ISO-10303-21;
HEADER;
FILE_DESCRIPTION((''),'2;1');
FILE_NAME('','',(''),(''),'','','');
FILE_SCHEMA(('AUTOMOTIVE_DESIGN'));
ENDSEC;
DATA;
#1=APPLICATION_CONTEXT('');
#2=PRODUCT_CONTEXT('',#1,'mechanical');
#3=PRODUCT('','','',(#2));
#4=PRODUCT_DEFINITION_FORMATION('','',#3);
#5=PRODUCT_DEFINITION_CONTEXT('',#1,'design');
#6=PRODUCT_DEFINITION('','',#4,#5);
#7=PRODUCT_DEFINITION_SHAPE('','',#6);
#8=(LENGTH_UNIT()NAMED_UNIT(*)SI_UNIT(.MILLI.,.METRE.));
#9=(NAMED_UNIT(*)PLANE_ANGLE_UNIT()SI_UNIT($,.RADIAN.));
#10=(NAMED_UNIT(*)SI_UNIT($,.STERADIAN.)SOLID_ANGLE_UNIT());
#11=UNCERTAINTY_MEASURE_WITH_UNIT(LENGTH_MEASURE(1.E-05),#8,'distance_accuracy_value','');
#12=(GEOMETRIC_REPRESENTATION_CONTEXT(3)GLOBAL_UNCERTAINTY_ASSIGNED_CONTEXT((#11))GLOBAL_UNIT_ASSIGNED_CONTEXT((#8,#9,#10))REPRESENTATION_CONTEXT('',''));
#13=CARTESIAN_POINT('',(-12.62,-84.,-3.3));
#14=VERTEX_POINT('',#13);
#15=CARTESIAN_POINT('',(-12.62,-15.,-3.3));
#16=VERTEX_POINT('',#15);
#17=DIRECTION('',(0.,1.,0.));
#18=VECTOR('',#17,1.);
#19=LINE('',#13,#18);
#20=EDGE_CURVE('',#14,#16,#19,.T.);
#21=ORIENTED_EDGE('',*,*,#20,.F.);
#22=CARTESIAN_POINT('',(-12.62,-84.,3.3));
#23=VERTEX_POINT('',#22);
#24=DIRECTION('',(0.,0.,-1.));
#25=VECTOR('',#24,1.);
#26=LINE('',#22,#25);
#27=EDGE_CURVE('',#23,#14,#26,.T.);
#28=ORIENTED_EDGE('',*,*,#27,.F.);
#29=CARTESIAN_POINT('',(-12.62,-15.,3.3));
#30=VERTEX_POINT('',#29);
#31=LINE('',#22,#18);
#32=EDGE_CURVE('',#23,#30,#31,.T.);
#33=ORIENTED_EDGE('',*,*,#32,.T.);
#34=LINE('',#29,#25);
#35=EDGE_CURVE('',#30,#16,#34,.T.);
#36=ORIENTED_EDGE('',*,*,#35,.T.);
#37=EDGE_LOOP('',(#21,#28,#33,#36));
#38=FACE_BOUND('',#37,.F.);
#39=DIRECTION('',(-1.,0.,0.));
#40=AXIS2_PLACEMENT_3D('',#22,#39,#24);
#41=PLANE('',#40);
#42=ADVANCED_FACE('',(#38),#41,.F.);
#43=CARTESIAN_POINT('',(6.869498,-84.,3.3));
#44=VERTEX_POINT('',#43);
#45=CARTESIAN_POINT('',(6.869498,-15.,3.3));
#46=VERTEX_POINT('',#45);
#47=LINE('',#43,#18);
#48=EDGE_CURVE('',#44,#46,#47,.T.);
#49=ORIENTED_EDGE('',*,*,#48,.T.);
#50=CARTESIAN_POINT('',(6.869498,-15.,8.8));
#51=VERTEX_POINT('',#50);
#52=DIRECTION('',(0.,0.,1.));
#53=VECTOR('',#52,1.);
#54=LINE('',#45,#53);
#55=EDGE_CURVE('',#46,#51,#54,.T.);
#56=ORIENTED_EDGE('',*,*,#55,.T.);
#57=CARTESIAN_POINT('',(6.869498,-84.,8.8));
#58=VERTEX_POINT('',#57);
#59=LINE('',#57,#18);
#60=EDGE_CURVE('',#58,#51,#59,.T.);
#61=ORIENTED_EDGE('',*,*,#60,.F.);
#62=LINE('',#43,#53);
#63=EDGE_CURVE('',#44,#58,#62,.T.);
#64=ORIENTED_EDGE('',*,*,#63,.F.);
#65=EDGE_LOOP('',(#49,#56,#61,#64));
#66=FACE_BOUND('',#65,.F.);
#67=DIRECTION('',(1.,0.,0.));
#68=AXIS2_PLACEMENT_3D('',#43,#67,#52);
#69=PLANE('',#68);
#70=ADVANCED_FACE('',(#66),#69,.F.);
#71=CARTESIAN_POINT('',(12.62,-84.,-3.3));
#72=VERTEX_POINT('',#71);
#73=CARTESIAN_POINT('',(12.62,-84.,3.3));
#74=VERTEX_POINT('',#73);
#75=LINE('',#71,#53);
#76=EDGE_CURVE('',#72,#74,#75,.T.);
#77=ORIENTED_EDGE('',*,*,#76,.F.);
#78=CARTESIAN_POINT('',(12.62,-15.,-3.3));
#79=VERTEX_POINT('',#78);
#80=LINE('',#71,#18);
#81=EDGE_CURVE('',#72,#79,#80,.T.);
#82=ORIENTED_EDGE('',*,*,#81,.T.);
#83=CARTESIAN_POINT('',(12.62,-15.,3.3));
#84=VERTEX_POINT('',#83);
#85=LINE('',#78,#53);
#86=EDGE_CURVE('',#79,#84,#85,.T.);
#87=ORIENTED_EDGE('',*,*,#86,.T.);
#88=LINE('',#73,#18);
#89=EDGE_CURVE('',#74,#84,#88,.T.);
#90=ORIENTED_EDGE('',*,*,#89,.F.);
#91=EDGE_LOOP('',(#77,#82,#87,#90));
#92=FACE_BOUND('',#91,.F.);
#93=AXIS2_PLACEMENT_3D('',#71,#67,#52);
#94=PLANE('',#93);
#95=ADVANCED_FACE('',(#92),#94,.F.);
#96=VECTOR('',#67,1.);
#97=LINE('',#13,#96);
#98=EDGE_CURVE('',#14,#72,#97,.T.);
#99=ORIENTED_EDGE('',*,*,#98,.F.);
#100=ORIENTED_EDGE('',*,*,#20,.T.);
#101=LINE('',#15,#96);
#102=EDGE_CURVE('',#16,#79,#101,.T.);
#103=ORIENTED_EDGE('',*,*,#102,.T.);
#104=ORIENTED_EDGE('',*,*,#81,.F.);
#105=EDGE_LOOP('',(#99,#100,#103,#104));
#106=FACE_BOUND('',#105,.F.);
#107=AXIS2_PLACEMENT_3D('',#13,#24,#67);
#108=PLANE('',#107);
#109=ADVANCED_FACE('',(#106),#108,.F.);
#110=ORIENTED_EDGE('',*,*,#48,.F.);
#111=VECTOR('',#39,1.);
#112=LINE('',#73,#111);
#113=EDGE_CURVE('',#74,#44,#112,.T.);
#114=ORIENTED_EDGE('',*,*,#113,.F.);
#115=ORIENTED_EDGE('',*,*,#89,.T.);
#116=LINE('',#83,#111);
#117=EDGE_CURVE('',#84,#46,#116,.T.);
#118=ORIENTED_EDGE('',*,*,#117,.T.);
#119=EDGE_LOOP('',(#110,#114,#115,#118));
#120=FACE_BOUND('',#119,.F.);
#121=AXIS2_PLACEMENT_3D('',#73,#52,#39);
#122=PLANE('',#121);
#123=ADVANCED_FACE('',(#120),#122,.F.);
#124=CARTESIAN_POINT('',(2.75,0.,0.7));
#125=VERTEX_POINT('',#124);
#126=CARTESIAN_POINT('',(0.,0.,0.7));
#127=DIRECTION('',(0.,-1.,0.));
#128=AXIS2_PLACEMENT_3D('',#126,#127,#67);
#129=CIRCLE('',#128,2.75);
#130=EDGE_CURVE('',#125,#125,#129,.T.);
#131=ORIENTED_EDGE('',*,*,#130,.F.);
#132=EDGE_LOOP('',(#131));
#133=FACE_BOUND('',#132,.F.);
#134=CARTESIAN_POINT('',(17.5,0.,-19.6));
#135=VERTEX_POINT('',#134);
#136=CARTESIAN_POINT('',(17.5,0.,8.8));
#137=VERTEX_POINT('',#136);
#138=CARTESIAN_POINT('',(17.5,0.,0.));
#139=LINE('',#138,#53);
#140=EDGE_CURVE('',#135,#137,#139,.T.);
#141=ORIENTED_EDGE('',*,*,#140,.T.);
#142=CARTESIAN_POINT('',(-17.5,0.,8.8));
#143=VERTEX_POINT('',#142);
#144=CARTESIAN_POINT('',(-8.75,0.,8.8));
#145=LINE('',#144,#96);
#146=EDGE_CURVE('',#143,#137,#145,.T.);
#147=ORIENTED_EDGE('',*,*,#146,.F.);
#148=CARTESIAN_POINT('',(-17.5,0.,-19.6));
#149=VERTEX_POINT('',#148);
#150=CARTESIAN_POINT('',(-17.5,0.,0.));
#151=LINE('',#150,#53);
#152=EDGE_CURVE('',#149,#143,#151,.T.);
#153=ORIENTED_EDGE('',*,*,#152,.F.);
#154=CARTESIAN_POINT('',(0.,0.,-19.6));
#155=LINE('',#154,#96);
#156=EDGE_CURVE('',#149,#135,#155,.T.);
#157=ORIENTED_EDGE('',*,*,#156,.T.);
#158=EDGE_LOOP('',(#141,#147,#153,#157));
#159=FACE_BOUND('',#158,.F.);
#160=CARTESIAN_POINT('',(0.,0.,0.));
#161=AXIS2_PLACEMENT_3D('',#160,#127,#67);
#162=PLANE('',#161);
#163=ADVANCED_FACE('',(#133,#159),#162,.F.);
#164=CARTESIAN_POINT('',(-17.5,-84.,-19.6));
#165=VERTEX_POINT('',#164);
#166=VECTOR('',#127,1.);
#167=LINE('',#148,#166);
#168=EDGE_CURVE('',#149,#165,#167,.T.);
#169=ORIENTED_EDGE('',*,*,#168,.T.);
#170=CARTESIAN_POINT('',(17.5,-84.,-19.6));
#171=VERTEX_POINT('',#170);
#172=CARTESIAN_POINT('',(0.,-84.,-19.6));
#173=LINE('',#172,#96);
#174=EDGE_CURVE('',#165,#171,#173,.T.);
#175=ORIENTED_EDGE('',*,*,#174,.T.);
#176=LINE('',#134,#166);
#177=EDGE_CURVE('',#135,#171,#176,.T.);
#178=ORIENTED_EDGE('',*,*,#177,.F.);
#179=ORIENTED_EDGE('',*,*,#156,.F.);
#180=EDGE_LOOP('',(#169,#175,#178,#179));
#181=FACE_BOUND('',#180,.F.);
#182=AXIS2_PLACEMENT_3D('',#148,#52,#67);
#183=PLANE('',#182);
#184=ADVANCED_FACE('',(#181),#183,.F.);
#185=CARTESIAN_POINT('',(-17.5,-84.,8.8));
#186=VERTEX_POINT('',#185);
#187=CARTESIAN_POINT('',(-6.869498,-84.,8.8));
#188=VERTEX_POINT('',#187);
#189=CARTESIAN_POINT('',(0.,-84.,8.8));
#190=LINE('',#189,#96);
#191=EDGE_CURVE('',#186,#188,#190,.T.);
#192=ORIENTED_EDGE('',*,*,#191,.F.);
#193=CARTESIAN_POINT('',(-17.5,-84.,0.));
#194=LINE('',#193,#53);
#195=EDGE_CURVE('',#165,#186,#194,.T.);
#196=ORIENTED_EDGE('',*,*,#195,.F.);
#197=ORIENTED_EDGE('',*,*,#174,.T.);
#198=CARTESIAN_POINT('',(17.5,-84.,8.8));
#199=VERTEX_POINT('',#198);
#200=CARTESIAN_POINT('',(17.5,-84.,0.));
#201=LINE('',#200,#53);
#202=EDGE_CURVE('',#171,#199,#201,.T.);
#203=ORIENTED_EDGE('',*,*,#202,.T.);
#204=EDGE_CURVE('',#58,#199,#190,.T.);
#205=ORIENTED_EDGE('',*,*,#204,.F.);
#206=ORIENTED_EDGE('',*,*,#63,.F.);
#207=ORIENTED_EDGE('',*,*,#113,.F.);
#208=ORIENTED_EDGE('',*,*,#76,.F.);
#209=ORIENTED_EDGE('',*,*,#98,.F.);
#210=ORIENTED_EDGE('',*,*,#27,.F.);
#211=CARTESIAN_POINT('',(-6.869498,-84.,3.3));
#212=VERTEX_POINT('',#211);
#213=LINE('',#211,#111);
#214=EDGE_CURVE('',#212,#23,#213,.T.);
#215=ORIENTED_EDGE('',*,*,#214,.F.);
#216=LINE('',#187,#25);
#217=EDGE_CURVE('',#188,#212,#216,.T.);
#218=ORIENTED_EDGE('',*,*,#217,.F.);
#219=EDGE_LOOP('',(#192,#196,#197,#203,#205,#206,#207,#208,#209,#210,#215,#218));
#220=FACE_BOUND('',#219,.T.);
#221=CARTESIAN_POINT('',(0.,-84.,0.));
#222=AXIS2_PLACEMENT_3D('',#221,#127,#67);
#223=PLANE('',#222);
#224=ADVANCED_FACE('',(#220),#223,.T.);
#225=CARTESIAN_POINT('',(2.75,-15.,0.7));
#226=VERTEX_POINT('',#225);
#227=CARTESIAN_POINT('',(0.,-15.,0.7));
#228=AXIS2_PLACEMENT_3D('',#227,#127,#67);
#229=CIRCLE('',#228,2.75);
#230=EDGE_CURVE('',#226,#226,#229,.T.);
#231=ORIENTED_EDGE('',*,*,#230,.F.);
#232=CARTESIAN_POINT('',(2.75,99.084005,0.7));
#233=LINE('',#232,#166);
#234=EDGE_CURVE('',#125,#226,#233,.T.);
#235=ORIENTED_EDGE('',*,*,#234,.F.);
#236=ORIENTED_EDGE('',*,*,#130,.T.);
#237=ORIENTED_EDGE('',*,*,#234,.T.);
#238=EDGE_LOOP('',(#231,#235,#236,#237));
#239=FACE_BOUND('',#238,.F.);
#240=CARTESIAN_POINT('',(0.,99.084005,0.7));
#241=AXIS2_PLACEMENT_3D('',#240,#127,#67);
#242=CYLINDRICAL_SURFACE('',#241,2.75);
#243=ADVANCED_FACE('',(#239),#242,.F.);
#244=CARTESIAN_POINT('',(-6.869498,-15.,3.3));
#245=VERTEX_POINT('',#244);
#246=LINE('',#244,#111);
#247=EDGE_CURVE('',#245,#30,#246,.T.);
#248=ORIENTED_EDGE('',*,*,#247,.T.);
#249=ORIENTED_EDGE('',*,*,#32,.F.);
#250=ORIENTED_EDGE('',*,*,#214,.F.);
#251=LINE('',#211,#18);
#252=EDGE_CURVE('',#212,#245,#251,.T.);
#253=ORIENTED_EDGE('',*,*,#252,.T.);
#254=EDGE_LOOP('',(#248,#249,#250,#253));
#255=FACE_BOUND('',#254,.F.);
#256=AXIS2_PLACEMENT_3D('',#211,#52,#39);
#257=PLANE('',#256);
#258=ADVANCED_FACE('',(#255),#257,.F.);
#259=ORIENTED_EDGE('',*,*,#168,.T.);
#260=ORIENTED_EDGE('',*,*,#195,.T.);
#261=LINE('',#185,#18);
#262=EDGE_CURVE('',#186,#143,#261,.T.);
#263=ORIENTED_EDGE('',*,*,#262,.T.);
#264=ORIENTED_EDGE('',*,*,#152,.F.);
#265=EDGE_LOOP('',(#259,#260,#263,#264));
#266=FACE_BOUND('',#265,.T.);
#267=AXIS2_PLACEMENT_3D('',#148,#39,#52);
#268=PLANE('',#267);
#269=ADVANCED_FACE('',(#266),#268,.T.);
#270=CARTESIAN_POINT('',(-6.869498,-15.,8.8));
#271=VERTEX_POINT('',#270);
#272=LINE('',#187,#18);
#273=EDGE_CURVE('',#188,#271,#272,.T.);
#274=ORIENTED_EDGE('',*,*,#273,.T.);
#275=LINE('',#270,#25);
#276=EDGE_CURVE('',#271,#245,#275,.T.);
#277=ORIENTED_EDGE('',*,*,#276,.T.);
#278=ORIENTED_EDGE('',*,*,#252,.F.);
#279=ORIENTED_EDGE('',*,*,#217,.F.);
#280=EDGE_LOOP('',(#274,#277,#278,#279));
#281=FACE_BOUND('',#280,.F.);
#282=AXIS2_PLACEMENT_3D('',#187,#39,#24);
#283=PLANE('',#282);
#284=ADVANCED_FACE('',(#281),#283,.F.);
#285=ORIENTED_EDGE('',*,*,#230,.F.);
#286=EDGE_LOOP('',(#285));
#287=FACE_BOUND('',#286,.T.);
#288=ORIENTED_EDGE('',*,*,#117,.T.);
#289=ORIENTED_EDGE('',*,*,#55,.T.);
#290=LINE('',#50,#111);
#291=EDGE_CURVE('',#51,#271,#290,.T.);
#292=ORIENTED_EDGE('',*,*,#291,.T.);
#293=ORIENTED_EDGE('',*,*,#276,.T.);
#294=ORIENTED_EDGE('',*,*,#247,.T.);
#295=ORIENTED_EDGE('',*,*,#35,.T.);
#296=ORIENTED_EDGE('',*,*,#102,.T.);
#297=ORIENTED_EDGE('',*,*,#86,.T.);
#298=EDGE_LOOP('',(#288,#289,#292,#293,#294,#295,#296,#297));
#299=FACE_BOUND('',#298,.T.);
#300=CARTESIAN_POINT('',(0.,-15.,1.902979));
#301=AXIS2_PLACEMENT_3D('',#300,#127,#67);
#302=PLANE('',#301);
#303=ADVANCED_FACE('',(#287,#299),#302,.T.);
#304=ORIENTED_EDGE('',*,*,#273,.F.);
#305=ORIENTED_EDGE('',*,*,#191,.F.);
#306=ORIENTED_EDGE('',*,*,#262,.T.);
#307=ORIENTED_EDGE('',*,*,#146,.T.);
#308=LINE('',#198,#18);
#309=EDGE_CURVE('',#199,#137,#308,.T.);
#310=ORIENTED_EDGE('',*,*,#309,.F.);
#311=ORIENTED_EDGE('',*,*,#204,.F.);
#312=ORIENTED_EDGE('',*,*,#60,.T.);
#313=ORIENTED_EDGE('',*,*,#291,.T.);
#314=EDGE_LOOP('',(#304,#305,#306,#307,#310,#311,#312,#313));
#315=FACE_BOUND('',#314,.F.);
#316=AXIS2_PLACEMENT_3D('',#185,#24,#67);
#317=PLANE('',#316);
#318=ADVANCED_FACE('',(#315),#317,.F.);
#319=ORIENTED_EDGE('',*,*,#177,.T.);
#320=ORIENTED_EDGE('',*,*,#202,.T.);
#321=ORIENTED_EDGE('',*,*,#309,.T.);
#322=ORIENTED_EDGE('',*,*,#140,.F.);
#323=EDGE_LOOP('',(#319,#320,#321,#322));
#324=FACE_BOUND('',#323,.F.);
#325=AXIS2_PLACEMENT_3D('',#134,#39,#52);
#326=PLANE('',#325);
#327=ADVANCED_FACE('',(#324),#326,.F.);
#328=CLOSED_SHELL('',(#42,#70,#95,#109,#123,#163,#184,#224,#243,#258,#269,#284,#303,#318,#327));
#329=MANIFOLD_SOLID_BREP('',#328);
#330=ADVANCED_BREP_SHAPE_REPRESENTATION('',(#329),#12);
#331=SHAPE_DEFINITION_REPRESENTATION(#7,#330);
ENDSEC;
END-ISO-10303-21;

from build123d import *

# Parameters (mm, degrees)
F0_W     = 35
F0_H     = 39.2
F1_DEPTH = 84
F3_DEPTH = 69
F5_D     = 5.5
F6_W     = 35
F6_H     = 10.8
F7_DEPTH = 84.001


with BuildPart() as f1:
    # F0 (on Front) → F1 (new body)
    with BuildSketch(Plane.XZ):
        Rectangle(F0_W, F0_H)
    extrude(amount=F1_DEPTH)

    # F2 (on face) → F3 (cut)
    with BuildSketch(Plane.XZ.offset(84)):
        Polygon((12.62, -3.3), (12.62, 3.3), (6.8694977982, 3.3), (6.8694977982, 8.8), (-6.8694977982, 8.8), (-6.8694977982, 3.3), (-12.62, 3.3), (-12.62, -3.3), align=None)
    extrude(amount=-F3_DEPTH, mode=Mode.SUBTRACT)

    # F5 (through all)
    with Locations(Plane(origin=(0, 0, 0), x_dir=(-1, 0, 0), z_dir=(0, 1, 0))):
        with Locations((0, 0.7)):
            Hole(F5_D / 2)

    # F6 (on face) → F7 (cut, through all)
    with BuildSketch(Plane.XZ.offset(84)):
        with Locations((0, 14.2)):
            Rectangle(F6_W, F6_H)
    extrude(amount=-F7_DEPTH, mode=Mode.SUBTRACT)


solid = f1.part
